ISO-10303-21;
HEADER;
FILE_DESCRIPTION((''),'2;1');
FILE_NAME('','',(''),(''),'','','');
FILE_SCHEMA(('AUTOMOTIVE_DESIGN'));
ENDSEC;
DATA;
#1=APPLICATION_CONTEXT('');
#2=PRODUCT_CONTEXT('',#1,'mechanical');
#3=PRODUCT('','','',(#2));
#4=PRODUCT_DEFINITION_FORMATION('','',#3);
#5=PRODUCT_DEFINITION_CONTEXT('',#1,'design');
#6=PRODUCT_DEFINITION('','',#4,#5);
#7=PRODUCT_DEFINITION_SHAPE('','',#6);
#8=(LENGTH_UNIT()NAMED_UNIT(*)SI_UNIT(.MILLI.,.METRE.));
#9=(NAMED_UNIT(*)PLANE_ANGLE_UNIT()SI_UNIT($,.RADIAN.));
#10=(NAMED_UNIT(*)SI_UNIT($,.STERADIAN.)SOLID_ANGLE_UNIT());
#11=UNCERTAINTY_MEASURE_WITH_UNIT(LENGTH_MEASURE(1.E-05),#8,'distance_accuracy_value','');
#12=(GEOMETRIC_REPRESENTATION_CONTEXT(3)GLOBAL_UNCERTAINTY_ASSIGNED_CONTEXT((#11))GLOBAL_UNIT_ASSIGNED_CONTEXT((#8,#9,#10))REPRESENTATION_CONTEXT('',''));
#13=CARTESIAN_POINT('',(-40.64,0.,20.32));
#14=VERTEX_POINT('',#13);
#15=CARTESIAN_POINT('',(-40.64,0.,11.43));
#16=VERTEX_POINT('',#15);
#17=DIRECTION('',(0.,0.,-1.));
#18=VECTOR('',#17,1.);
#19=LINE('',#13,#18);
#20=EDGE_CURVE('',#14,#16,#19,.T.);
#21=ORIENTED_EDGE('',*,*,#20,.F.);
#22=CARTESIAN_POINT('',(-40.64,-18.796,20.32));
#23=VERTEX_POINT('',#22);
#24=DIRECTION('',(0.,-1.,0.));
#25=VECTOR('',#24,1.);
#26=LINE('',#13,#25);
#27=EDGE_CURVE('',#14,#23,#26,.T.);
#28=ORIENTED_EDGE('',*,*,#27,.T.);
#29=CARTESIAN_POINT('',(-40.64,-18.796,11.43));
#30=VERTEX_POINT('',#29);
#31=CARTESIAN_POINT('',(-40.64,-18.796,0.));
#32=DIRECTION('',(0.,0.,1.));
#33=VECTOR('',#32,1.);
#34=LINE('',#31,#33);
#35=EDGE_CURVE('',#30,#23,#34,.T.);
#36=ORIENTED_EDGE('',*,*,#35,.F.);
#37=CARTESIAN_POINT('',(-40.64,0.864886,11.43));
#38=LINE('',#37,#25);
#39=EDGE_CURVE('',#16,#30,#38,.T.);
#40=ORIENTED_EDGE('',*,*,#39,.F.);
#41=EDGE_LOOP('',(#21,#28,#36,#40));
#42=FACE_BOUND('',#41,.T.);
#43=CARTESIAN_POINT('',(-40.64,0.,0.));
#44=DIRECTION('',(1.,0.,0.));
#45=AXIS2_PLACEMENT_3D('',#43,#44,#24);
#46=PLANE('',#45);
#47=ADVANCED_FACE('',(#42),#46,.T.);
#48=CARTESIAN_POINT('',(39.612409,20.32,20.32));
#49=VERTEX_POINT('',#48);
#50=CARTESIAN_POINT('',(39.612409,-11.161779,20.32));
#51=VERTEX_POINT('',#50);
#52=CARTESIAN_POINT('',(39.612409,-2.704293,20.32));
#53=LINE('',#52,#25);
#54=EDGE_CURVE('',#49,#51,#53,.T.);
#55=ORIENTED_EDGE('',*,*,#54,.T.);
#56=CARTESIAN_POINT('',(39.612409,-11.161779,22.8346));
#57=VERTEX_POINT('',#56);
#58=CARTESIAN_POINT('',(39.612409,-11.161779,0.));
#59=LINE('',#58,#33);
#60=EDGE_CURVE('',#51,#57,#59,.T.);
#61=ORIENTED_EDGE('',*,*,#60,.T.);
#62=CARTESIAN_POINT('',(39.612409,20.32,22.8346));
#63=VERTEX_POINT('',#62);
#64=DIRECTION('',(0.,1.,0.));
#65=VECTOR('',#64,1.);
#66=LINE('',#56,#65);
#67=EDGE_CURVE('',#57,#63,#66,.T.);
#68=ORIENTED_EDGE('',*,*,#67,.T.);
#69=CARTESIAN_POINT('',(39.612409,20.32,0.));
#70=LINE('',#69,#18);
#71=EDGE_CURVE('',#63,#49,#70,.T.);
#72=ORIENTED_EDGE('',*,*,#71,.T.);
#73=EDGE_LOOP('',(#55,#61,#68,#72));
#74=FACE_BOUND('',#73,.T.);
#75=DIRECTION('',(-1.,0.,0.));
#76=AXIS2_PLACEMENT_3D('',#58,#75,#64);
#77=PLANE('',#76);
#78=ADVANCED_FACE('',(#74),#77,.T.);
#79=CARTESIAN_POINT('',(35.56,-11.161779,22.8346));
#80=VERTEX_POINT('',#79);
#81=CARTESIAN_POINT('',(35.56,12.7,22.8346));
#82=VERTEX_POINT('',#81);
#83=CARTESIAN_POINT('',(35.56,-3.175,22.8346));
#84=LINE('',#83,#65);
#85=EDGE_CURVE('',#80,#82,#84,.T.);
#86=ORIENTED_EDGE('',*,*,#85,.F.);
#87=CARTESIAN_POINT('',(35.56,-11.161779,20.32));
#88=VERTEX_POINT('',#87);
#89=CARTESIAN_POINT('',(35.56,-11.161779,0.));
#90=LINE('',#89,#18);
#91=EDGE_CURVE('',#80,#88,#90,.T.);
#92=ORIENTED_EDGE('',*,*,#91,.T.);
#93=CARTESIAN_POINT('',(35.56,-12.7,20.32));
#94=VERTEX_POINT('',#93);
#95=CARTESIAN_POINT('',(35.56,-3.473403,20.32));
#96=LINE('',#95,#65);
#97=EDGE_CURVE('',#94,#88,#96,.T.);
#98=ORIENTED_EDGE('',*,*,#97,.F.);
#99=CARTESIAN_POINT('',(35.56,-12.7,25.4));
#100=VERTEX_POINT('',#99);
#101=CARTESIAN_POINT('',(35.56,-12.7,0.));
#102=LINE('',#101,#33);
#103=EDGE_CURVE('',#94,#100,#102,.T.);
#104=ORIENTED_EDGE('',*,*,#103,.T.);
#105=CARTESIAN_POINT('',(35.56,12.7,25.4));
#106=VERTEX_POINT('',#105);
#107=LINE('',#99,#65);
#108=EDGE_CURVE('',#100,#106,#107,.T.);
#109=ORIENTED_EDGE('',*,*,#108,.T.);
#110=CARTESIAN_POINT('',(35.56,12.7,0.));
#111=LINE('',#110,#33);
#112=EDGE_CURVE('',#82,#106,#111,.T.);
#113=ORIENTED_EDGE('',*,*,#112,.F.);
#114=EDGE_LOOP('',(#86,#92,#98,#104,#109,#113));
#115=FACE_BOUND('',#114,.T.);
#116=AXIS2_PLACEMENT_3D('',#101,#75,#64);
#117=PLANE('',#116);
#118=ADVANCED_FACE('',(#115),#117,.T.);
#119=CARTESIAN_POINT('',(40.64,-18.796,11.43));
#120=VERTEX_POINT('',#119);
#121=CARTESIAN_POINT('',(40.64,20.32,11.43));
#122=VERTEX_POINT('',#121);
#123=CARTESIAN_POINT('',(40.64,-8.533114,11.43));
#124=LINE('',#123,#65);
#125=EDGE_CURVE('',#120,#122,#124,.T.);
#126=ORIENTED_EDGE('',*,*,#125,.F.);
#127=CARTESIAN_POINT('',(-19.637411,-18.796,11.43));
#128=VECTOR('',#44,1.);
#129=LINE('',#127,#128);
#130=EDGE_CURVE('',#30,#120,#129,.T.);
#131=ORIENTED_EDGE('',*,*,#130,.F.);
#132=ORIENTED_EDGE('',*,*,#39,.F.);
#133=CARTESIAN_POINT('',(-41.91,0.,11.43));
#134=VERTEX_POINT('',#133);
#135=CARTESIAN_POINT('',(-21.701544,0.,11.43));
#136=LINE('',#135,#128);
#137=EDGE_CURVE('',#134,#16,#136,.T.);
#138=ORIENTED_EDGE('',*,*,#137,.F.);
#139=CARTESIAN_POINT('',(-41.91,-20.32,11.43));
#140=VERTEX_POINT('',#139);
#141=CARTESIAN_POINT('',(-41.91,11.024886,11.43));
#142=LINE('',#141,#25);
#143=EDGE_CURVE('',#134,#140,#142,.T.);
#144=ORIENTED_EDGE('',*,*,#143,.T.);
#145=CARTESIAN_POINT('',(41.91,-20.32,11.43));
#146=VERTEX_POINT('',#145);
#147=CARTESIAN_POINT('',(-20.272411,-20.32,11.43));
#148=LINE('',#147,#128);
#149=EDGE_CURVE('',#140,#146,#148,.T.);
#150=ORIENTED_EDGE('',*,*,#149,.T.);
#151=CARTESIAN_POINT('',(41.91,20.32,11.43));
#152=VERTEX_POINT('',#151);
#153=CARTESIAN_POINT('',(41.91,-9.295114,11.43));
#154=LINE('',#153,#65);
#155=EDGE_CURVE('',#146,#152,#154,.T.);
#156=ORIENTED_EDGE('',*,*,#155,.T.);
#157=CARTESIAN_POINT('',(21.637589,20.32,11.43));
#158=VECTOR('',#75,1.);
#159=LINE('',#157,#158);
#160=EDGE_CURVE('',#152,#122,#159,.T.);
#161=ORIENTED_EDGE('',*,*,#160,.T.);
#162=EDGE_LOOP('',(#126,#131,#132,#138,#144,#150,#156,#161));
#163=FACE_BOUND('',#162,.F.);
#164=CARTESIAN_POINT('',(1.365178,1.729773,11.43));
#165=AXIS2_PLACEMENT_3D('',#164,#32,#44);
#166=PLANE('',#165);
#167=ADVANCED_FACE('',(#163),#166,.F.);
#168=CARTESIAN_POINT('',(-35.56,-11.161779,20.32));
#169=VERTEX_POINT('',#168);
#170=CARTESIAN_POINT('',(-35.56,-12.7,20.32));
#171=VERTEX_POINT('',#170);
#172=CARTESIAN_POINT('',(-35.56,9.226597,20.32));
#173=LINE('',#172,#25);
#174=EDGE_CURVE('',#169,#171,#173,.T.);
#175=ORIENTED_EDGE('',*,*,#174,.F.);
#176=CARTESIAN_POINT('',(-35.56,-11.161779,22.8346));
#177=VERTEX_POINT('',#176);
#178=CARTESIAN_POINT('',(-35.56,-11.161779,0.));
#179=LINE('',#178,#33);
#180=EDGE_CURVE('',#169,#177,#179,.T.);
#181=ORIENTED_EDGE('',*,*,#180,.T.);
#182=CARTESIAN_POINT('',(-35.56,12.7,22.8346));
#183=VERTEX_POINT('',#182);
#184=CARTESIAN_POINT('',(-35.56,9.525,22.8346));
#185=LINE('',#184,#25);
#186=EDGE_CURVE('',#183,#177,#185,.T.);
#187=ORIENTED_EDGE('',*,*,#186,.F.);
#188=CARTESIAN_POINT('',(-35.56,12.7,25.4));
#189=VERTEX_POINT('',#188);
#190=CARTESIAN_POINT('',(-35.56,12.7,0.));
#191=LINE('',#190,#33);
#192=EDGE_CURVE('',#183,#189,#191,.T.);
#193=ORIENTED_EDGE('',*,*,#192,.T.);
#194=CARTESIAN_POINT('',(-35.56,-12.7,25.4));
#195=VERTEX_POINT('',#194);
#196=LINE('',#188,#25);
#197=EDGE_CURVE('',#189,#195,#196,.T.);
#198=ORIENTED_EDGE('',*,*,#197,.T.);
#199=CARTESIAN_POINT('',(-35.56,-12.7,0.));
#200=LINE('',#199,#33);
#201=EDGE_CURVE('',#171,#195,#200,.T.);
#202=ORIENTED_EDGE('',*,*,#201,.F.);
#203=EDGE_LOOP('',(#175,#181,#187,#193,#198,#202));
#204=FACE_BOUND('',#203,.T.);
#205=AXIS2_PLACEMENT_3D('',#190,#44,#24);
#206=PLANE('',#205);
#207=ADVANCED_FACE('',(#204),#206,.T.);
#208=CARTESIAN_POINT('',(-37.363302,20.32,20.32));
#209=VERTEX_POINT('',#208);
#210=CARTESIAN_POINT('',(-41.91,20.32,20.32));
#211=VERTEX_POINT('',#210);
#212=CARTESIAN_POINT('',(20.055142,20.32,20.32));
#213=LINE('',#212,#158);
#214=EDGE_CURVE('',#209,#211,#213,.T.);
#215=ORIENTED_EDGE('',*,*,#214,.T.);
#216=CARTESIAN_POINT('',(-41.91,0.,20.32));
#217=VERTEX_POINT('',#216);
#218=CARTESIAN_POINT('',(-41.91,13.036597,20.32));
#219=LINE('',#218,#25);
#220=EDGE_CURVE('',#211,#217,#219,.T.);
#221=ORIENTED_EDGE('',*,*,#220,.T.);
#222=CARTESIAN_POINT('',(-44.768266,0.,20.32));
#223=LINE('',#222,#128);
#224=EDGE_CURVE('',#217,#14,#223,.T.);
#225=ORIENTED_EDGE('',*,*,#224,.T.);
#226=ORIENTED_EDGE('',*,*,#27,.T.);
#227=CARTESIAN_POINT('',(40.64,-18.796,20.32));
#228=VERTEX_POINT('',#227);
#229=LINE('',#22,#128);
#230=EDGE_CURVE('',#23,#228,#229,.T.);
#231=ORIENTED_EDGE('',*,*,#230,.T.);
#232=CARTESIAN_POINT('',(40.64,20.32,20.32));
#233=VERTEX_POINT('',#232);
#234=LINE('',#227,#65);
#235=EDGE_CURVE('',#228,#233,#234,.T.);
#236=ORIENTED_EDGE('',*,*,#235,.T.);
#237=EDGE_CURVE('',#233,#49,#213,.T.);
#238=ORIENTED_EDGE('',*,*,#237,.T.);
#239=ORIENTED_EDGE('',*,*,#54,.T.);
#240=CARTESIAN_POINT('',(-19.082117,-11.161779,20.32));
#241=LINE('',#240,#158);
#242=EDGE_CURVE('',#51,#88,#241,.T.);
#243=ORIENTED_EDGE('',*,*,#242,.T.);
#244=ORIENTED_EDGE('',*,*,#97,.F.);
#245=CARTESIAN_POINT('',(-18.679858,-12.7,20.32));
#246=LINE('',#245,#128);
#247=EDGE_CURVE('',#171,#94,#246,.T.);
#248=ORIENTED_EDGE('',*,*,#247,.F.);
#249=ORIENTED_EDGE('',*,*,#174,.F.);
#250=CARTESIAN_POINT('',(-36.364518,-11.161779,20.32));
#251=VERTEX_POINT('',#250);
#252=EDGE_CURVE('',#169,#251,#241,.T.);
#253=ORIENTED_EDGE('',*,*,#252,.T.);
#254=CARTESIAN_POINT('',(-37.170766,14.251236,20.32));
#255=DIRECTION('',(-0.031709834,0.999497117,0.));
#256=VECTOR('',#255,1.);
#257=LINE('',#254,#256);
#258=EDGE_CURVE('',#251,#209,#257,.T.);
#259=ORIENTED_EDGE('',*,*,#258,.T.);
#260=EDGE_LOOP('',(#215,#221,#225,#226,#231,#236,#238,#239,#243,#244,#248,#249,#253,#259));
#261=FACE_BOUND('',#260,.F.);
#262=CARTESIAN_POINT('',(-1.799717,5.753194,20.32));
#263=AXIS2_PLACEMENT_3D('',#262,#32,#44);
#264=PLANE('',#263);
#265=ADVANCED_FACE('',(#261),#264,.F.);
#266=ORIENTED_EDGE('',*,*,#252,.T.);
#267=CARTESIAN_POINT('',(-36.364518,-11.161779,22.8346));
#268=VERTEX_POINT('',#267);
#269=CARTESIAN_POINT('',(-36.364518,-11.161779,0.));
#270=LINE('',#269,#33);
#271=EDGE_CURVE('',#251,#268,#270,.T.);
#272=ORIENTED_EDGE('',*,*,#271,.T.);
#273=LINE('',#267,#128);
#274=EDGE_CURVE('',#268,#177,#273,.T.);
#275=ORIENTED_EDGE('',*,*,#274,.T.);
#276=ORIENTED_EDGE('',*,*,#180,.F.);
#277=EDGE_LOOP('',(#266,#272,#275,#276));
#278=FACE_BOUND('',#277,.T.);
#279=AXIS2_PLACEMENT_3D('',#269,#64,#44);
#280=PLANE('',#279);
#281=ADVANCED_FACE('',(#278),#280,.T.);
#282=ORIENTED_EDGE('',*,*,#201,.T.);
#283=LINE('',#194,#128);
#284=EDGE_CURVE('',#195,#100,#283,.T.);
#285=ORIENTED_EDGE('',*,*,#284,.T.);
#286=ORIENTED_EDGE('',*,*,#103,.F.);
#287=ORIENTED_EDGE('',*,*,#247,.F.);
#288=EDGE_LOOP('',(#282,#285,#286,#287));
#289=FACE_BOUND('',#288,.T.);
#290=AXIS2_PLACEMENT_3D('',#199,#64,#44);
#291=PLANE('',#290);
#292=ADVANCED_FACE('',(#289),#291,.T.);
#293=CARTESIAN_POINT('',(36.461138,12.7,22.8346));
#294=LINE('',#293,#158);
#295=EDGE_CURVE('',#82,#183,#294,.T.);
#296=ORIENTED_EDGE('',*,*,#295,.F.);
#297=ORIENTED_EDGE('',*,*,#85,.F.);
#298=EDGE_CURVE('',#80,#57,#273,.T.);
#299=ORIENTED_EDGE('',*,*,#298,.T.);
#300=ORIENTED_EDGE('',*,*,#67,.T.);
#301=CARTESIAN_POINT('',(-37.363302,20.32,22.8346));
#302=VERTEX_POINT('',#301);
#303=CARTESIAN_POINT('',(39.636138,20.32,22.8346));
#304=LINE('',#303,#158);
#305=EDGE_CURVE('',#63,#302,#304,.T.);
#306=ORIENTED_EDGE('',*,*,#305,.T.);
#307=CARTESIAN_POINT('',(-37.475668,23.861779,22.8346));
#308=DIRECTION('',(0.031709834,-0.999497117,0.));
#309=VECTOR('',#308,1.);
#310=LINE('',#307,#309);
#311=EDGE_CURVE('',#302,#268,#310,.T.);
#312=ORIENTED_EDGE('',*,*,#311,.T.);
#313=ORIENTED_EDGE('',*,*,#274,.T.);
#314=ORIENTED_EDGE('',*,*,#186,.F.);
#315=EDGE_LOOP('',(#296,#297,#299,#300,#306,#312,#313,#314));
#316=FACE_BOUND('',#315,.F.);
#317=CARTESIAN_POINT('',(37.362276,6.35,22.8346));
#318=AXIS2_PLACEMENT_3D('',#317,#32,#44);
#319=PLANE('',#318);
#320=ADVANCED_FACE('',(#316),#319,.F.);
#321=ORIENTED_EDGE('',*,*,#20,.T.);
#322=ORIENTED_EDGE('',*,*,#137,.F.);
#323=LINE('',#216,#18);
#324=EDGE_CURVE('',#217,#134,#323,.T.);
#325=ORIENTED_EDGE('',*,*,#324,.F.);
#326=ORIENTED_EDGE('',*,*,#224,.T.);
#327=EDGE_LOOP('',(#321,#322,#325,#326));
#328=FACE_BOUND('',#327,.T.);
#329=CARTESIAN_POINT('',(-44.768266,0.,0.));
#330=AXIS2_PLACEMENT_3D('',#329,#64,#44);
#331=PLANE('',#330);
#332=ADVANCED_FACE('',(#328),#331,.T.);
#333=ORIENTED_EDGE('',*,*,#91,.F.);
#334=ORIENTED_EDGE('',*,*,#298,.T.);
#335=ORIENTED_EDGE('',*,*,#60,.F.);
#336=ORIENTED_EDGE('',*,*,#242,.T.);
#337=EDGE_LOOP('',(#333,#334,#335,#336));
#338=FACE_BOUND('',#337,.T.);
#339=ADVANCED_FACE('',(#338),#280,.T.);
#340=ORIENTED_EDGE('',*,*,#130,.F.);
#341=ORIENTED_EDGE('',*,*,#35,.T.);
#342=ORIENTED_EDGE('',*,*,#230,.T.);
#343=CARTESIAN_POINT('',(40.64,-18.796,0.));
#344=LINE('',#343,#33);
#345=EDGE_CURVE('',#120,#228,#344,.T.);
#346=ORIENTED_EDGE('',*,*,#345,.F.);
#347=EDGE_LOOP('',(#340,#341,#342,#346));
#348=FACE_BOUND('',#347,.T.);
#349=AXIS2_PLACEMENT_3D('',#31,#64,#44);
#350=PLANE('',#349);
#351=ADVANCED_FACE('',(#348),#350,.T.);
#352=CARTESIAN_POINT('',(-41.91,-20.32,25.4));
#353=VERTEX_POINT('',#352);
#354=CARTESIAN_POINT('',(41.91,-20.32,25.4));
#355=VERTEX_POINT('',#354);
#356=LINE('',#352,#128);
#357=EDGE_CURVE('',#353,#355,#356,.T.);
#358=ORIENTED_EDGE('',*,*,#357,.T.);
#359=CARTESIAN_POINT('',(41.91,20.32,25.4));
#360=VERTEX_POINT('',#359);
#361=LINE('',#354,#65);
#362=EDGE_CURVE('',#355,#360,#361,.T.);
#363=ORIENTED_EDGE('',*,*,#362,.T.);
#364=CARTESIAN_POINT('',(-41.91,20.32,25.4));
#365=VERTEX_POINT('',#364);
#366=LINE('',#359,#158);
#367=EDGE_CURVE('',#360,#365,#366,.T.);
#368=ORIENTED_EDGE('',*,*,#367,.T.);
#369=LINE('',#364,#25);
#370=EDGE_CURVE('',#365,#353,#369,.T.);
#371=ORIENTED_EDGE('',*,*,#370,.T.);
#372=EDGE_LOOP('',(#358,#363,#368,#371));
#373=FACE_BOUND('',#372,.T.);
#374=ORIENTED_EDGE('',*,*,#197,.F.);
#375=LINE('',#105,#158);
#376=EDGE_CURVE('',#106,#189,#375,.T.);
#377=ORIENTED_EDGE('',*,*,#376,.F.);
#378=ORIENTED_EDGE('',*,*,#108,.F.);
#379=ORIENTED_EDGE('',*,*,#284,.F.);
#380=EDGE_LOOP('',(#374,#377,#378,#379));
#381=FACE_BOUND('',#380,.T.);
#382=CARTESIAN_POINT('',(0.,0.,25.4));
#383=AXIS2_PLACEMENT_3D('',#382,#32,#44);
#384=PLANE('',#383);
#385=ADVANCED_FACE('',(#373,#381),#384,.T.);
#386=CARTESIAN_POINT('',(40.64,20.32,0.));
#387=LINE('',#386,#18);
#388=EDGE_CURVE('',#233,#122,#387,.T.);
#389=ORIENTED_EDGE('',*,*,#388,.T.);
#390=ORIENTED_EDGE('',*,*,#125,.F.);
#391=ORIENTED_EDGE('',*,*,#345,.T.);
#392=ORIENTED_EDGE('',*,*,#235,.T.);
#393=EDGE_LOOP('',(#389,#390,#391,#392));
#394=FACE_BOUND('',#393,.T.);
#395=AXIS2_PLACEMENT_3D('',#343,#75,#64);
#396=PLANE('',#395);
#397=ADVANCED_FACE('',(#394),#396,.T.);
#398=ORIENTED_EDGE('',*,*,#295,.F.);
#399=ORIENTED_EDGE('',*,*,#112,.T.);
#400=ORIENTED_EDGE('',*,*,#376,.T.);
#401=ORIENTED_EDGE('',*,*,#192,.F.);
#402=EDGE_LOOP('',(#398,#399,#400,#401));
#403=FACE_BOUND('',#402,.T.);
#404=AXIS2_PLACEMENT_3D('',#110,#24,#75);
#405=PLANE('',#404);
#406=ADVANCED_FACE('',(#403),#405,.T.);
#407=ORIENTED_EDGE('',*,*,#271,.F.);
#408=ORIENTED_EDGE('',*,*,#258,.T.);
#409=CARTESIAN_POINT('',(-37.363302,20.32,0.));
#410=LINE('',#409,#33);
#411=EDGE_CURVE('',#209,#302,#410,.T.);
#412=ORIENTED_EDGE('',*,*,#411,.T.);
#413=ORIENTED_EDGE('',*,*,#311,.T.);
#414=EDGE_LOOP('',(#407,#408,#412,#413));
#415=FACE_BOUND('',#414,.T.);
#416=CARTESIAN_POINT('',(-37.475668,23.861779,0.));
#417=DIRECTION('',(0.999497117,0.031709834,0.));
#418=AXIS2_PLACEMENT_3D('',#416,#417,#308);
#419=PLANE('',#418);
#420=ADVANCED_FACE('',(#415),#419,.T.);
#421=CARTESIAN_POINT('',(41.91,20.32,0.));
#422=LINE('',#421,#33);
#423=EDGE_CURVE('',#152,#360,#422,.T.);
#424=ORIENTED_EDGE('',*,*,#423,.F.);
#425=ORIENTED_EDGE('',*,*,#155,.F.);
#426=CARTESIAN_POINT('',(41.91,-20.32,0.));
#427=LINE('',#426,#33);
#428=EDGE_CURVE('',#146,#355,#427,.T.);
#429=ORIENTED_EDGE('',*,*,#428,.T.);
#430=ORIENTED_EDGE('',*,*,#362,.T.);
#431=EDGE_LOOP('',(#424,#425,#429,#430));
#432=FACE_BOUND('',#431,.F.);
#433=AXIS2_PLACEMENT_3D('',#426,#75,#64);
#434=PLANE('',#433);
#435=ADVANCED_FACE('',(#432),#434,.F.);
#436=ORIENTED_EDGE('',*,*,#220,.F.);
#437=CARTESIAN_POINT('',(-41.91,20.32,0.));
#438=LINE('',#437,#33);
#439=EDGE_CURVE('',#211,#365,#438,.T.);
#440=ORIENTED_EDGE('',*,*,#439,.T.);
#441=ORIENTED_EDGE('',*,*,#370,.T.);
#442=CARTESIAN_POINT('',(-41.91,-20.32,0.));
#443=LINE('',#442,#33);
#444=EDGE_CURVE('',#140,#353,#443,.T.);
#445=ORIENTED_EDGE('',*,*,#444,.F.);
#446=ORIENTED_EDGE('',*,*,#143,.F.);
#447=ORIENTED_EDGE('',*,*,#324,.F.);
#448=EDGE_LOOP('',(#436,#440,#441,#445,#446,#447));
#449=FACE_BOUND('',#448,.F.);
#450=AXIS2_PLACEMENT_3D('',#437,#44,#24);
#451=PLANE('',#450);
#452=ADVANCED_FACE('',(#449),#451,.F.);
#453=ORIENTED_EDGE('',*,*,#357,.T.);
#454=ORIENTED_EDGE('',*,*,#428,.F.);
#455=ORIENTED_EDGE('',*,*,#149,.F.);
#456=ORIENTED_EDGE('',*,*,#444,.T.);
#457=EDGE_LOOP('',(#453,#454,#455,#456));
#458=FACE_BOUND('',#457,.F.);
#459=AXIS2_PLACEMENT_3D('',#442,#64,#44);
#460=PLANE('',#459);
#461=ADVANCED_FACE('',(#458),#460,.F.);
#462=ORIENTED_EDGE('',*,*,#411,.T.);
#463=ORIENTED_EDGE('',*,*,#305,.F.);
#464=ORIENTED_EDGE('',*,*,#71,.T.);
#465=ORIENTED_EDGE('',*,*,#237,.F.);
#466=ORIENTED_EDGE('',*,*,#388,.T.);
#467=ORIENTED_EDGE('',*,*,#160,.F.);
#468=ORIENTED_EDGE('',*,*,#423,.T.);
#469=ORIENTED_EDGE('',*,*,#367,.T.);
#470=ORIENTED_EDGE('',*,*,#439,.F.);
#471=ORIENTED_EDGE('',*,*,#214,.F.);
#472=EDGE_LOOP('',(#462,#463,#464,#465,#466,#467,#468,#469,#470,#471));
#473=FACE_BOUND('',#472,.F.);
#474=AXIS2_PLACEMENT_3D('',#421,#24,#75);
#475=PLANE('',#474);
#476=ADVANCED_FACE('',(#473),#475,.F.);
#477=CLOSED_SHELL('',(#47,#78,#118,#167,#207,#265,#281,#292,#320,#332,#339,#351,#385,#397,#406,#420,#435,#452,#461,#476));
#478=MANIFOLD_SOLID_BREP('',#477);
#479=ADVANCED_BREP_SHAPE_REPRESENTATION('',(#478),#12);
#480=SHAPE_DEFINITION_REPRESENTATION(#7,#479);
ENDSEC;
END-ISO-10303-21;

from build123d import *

# Parameters (mm, degrees)
F2_DEPTH  = 25.4
F3_DEPTH  = 25.4
F5_DEPTH  = 20.32
F7_DEPTH  = 22.8346
F8_W      = 44.694509
F8_H      = 15.718196
F9_DEPTH  = 17.6276
F11_DEPTH = 11.43


with BuildPart() as f2:
    # F1 (on Top) → F2 (new body)
    with BuildSketch(Plane.XY):
        Polygon((-41.91, 20.32), (-41.91, 0), (-41.91, -20.32), (41.91, -20.32), (41.91, 20.32), align=None)
    extrude(amount=F2_DEPTH)

    # F0 (on Top) → F3 (cut)
    with BuildSketch(Plane.XY):
        Polygon((-35.56, 12.7), (-35.56, 0), (-35.56, -12.7), (35.56, -12.7), (35.56, 12.7), align=None)
    extrude(amount=F3_DEPTH, mode=Mode.SUBTRACT)

    # F4 (on Top) → F5 (cut)
    with BuildSketch(Plane.XY):
        Polygon((-44.768266, 0), (-40.64, 0), (-40.64, -18.796), (40.64, -18.796), (40.64, 18.796), (40.64, 29.692128), (-40.64, 29.692128), (-44.768266, 29.847285), align=None)
    extrude(amount=F5_DEPTH, mode=Mode.SUBTRACT)

    # F6 (on Top) → F7 (cut)
    with BuildSketch(Plane.XY):
        Polygon((39.612409, -11.161779), (39.612409, 0), (39.612409, 11.161779), (39.612409, 23.861779), (35.112143, 23.861779), (35.112143, 11.161779), (35.112143, 0), (35.112143, -11.161779), align=None)
        Polygon((-36.364518, -11.161779), (35.112143, -11.161779), (35.112143, 0), (35.112143, 11.161779), (35.112143, 23.861779), (-37.475668, 23.861779), align=None)
    extrude(amount=F7_DEPTH, mode=Mode.SUBTRACT)

    # F8 (on Top) → F9 (cut)
    with BuildSketch(Plane.XY):
        with Locations((-22.347254, 7.859098)):
            Rectangle(F8_W, F8_H)
    extrude(amount=F9_DEPTH, mode=Mode.SUBTRACT)

    # F10 (on Top) → F11 (cut)
    with BuildSketch(Plane.XY):
        Polygon((-63.650727, 47.761548), (-64.214841, 0), (-64.214841, -44.940986), (66.283256, -44.940986), (66.283256, 49.265854), align=None)
    extrude(amount=F11_DEPTH, mode=Mode.SUBTRACT)


solid = f2.part
